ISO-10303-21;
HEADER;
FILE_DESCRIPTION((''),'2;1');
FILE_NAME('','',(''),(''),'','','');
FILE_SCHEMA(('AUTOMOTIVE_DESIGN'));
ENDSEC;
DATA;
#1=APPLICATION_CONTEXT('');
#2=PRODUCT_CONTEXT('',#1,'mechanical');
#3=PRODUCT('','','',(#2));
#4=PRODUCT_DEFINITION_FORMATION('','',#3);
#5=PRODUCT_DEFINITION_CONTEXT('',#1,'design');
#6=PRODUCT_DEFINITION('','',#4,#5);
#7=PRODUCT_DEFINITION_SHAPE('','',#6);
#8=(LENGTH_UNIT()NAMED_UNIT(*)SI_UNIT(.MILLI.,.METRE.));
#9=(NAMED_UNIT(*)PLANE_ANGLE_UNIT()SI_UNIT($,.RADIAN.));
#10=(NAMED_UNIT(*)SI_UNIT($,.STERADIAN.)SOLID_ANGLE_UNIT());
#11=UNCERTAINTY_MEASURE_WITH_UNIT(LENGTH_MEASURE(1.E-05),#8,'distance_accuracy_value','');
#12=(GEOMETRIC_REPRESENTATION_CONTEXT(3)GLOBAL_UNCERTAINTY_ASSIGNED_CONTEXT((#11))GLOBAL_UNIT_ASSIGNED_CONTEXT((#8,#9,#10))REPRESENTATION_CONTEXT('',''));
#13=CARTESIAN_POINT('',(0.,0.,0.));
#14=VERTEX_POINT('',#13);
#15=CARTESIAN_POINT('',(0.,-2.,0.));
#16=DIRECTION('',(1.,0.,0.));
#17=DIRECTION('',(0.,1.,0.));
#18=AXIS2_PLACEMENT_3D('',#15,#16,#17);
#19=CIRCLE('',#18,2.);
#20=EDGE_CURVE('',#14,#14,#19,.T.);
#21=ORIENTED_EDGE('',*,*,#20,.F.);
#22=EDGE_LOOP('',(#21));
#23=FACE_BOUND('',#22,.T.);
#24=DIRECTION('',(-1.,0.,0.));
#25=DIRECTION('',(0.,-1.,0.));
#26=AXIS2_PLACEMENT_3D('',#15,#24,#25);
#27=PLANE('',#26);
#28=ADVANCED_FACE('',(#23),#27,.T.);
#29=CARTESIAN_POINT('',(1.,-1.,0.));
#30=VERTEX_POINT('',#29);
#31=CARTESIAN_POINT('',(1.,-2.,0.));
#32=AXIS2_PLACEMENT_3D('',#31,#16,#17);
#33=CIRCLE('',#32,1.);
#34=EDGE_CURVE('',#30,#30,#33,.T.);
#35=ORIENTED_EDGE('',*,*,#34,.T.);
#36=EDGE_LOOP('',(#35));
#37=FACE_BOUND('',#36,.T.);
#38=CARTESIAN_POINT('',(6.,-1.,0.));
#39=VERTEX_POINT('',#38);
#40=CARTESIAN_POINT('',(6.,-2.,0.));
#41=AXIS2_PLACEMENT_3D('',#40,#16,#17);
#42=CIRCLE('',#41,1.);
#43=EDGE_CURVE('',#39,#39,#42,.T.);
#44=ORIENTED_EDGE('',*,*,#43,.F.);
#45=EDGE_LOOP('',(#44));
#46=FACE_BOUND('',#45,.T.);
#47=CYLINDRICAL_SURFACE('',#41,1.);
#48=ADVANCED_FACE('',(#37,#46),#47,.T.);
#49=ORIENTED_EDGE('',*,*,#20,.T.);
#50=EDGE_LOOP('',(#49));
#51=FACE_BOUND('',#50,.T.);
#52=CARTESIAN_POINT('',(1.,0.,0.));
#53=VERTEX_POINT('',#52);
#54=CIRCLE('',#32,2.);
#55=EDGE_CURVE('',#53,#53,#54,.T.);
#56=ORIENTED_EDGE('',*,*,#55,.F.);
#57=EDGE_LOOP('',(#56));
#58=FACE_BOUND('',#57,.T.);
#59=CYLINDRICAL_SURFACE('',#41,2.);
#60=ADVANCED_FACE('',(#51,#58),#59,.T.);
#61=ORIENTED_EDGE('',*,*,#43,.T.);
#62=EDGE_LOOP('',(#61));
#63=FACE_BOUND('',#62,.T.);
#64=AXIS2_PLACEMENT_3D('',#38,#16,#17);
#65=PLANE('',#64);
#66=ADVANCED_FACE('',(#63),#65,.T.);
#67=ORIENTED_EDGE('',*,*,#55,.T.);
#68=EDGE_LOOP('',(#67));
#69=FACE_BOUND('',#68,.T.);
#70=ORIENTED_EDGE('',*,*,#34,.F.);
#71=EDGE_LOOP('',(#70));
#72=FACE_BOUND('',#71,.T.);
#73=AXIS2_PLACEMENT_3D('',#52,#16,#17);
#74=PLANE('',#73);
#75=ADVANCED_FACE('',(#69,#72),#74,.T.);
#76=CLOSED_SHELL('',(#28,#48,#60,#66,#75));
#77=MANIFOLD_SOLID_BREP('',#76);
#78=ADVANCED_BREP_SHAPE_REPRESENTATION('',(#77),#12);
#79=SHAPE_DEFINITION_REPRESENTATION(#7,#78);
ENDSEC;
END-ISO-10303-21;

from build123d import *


with BuildPart() as part:
    # Sketch1 → Revolve1 (revolve)
    with BuildSketch(Plane.XY):
        Polygon((0, 0), (1, 0), (1, -1), (6, -1), (6, -2), (0, -2), align=None)
    revolve(axis=Axis((6, -2, 0), (-1, 0, 0)))


solid = part.part
